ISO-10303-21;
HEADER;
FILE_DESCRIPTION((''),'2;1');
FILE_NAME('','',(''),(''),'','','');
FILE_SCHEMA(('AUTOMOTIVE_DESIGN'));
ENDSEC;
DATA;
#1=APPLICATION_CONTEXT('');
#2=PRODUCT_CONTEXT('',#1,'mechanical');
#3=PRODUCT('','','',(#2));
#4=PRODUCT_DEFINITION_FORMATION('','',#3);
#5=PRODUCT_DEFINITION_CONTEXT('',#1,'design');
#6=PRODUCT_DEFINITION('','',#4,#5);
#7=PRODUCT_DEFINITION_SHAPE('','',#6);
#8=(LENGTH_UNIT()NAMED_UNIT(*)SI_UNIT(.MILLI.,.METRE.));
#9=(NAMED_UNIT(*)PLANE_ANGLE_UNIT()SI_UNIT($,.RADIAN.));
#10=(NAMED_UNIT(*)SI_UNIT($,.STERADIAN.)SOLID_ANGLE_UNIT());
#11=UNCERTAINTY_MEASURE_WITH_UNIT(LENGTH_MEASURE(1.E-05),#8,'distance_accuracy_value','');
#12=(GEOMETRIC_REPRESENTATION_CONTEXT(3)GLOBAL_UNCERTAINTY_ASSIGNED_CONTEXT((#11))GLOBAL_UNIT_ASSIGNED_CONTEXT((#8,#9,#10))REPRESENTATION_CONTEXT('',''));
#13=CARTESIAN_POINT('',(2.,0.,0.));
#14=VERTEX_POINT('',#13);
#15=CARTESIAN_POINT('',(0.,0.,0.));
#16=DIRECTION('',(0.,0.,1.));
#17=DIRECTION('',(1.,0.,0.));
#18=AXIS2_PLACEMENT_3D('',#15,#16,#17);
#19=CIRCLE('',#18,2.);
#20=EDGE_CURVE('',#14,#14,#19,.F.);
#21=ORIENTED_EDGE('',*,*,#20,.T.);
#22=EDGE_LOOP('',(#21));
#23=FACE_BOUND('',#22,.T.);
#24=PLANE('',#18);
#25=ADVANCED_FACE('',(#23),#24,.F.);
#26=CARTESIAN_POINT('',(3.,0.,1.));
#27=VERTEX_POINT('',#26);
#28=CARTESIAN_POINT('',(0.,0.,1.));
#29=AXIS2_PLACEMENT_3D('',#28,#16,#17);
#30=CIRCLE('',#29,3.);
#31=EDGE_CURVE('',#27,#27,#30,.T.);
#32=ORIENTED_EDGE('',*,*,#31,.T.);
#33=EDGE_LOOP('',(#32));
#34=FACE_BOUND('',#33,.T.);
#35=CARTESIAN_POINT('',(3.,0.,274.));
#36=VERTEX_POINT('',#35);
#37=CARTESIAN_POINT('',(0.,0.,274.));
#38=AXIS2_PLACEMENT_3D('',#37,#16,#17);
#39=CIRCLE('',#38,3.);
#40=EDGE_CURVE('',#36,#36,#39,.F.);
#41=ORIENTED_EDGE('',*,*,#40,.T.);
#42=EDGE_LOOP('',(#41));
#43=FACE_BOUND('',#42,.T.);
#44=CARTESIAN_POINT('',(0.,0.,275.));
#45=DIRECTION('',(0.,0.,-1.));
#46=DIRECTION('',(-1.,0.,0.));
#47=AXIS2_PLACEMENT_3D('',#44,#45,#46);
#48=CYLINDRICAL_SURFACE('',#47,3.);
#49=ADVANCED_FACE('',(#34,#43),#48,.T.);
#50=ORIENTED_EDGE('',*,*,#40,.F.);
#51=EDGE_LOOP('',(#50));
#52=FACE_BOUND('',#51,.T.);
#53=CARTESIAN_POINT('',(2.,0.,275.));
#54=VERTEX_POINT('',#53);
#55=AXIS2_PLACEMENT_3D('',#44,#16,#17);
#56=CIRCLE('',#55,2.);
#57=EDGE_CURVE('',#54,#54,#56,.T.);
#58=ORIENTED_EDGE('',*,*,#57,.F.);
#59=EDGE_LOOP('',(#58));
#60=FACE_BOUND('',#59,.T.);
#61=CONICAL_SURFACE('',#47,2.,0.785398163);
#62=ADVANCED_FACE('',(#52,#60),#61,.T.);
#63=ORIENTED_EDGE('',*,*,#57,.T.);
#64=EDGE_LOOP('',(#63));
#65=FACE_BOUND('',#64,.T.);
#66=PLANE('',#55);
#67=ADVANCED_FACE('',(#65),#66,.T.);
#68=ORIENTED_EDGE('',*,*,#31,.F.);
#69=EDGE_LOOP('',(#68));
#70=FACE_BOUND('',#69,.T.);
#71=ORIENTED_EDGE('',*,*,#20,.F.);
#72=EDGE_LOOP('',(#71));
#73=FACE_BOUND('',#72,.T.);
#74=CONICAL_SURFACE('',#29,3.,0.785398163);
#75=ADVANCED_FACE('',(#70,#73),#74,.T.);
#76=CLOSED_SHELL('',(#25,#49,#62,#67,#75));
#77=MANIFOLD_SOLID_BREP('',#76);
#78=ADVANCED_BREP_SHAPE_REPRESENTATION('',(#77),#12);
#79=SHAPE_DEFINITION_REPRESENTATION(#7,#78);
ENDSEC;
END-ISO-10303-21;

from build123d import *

# Parameters (mm, degrees)
SKETCH1_R           = 3
BOSS_EXTRUDE1_DEPTH = 275
CHAMFER1_SIZE       = 1


with BuildPart() as part:
    # Sketch1 → Boss-Extrude1 (new body)
    with BuildSketch(Plane.XY):
        Circle(SKETCH1_R)
    extrude(amount=BOSS_EXTRUDE1_DEPTH)

    # Chamfer1
    chamfer1_edges = [part.edges().sort_by_distance(p)[0] for p in [
        (-3, 0, 0),
        (-3, 0, 275),
    ]]
    chamfer(chamfer1_edges, length=CHAMFER1_SIZE)


solid = part.part
